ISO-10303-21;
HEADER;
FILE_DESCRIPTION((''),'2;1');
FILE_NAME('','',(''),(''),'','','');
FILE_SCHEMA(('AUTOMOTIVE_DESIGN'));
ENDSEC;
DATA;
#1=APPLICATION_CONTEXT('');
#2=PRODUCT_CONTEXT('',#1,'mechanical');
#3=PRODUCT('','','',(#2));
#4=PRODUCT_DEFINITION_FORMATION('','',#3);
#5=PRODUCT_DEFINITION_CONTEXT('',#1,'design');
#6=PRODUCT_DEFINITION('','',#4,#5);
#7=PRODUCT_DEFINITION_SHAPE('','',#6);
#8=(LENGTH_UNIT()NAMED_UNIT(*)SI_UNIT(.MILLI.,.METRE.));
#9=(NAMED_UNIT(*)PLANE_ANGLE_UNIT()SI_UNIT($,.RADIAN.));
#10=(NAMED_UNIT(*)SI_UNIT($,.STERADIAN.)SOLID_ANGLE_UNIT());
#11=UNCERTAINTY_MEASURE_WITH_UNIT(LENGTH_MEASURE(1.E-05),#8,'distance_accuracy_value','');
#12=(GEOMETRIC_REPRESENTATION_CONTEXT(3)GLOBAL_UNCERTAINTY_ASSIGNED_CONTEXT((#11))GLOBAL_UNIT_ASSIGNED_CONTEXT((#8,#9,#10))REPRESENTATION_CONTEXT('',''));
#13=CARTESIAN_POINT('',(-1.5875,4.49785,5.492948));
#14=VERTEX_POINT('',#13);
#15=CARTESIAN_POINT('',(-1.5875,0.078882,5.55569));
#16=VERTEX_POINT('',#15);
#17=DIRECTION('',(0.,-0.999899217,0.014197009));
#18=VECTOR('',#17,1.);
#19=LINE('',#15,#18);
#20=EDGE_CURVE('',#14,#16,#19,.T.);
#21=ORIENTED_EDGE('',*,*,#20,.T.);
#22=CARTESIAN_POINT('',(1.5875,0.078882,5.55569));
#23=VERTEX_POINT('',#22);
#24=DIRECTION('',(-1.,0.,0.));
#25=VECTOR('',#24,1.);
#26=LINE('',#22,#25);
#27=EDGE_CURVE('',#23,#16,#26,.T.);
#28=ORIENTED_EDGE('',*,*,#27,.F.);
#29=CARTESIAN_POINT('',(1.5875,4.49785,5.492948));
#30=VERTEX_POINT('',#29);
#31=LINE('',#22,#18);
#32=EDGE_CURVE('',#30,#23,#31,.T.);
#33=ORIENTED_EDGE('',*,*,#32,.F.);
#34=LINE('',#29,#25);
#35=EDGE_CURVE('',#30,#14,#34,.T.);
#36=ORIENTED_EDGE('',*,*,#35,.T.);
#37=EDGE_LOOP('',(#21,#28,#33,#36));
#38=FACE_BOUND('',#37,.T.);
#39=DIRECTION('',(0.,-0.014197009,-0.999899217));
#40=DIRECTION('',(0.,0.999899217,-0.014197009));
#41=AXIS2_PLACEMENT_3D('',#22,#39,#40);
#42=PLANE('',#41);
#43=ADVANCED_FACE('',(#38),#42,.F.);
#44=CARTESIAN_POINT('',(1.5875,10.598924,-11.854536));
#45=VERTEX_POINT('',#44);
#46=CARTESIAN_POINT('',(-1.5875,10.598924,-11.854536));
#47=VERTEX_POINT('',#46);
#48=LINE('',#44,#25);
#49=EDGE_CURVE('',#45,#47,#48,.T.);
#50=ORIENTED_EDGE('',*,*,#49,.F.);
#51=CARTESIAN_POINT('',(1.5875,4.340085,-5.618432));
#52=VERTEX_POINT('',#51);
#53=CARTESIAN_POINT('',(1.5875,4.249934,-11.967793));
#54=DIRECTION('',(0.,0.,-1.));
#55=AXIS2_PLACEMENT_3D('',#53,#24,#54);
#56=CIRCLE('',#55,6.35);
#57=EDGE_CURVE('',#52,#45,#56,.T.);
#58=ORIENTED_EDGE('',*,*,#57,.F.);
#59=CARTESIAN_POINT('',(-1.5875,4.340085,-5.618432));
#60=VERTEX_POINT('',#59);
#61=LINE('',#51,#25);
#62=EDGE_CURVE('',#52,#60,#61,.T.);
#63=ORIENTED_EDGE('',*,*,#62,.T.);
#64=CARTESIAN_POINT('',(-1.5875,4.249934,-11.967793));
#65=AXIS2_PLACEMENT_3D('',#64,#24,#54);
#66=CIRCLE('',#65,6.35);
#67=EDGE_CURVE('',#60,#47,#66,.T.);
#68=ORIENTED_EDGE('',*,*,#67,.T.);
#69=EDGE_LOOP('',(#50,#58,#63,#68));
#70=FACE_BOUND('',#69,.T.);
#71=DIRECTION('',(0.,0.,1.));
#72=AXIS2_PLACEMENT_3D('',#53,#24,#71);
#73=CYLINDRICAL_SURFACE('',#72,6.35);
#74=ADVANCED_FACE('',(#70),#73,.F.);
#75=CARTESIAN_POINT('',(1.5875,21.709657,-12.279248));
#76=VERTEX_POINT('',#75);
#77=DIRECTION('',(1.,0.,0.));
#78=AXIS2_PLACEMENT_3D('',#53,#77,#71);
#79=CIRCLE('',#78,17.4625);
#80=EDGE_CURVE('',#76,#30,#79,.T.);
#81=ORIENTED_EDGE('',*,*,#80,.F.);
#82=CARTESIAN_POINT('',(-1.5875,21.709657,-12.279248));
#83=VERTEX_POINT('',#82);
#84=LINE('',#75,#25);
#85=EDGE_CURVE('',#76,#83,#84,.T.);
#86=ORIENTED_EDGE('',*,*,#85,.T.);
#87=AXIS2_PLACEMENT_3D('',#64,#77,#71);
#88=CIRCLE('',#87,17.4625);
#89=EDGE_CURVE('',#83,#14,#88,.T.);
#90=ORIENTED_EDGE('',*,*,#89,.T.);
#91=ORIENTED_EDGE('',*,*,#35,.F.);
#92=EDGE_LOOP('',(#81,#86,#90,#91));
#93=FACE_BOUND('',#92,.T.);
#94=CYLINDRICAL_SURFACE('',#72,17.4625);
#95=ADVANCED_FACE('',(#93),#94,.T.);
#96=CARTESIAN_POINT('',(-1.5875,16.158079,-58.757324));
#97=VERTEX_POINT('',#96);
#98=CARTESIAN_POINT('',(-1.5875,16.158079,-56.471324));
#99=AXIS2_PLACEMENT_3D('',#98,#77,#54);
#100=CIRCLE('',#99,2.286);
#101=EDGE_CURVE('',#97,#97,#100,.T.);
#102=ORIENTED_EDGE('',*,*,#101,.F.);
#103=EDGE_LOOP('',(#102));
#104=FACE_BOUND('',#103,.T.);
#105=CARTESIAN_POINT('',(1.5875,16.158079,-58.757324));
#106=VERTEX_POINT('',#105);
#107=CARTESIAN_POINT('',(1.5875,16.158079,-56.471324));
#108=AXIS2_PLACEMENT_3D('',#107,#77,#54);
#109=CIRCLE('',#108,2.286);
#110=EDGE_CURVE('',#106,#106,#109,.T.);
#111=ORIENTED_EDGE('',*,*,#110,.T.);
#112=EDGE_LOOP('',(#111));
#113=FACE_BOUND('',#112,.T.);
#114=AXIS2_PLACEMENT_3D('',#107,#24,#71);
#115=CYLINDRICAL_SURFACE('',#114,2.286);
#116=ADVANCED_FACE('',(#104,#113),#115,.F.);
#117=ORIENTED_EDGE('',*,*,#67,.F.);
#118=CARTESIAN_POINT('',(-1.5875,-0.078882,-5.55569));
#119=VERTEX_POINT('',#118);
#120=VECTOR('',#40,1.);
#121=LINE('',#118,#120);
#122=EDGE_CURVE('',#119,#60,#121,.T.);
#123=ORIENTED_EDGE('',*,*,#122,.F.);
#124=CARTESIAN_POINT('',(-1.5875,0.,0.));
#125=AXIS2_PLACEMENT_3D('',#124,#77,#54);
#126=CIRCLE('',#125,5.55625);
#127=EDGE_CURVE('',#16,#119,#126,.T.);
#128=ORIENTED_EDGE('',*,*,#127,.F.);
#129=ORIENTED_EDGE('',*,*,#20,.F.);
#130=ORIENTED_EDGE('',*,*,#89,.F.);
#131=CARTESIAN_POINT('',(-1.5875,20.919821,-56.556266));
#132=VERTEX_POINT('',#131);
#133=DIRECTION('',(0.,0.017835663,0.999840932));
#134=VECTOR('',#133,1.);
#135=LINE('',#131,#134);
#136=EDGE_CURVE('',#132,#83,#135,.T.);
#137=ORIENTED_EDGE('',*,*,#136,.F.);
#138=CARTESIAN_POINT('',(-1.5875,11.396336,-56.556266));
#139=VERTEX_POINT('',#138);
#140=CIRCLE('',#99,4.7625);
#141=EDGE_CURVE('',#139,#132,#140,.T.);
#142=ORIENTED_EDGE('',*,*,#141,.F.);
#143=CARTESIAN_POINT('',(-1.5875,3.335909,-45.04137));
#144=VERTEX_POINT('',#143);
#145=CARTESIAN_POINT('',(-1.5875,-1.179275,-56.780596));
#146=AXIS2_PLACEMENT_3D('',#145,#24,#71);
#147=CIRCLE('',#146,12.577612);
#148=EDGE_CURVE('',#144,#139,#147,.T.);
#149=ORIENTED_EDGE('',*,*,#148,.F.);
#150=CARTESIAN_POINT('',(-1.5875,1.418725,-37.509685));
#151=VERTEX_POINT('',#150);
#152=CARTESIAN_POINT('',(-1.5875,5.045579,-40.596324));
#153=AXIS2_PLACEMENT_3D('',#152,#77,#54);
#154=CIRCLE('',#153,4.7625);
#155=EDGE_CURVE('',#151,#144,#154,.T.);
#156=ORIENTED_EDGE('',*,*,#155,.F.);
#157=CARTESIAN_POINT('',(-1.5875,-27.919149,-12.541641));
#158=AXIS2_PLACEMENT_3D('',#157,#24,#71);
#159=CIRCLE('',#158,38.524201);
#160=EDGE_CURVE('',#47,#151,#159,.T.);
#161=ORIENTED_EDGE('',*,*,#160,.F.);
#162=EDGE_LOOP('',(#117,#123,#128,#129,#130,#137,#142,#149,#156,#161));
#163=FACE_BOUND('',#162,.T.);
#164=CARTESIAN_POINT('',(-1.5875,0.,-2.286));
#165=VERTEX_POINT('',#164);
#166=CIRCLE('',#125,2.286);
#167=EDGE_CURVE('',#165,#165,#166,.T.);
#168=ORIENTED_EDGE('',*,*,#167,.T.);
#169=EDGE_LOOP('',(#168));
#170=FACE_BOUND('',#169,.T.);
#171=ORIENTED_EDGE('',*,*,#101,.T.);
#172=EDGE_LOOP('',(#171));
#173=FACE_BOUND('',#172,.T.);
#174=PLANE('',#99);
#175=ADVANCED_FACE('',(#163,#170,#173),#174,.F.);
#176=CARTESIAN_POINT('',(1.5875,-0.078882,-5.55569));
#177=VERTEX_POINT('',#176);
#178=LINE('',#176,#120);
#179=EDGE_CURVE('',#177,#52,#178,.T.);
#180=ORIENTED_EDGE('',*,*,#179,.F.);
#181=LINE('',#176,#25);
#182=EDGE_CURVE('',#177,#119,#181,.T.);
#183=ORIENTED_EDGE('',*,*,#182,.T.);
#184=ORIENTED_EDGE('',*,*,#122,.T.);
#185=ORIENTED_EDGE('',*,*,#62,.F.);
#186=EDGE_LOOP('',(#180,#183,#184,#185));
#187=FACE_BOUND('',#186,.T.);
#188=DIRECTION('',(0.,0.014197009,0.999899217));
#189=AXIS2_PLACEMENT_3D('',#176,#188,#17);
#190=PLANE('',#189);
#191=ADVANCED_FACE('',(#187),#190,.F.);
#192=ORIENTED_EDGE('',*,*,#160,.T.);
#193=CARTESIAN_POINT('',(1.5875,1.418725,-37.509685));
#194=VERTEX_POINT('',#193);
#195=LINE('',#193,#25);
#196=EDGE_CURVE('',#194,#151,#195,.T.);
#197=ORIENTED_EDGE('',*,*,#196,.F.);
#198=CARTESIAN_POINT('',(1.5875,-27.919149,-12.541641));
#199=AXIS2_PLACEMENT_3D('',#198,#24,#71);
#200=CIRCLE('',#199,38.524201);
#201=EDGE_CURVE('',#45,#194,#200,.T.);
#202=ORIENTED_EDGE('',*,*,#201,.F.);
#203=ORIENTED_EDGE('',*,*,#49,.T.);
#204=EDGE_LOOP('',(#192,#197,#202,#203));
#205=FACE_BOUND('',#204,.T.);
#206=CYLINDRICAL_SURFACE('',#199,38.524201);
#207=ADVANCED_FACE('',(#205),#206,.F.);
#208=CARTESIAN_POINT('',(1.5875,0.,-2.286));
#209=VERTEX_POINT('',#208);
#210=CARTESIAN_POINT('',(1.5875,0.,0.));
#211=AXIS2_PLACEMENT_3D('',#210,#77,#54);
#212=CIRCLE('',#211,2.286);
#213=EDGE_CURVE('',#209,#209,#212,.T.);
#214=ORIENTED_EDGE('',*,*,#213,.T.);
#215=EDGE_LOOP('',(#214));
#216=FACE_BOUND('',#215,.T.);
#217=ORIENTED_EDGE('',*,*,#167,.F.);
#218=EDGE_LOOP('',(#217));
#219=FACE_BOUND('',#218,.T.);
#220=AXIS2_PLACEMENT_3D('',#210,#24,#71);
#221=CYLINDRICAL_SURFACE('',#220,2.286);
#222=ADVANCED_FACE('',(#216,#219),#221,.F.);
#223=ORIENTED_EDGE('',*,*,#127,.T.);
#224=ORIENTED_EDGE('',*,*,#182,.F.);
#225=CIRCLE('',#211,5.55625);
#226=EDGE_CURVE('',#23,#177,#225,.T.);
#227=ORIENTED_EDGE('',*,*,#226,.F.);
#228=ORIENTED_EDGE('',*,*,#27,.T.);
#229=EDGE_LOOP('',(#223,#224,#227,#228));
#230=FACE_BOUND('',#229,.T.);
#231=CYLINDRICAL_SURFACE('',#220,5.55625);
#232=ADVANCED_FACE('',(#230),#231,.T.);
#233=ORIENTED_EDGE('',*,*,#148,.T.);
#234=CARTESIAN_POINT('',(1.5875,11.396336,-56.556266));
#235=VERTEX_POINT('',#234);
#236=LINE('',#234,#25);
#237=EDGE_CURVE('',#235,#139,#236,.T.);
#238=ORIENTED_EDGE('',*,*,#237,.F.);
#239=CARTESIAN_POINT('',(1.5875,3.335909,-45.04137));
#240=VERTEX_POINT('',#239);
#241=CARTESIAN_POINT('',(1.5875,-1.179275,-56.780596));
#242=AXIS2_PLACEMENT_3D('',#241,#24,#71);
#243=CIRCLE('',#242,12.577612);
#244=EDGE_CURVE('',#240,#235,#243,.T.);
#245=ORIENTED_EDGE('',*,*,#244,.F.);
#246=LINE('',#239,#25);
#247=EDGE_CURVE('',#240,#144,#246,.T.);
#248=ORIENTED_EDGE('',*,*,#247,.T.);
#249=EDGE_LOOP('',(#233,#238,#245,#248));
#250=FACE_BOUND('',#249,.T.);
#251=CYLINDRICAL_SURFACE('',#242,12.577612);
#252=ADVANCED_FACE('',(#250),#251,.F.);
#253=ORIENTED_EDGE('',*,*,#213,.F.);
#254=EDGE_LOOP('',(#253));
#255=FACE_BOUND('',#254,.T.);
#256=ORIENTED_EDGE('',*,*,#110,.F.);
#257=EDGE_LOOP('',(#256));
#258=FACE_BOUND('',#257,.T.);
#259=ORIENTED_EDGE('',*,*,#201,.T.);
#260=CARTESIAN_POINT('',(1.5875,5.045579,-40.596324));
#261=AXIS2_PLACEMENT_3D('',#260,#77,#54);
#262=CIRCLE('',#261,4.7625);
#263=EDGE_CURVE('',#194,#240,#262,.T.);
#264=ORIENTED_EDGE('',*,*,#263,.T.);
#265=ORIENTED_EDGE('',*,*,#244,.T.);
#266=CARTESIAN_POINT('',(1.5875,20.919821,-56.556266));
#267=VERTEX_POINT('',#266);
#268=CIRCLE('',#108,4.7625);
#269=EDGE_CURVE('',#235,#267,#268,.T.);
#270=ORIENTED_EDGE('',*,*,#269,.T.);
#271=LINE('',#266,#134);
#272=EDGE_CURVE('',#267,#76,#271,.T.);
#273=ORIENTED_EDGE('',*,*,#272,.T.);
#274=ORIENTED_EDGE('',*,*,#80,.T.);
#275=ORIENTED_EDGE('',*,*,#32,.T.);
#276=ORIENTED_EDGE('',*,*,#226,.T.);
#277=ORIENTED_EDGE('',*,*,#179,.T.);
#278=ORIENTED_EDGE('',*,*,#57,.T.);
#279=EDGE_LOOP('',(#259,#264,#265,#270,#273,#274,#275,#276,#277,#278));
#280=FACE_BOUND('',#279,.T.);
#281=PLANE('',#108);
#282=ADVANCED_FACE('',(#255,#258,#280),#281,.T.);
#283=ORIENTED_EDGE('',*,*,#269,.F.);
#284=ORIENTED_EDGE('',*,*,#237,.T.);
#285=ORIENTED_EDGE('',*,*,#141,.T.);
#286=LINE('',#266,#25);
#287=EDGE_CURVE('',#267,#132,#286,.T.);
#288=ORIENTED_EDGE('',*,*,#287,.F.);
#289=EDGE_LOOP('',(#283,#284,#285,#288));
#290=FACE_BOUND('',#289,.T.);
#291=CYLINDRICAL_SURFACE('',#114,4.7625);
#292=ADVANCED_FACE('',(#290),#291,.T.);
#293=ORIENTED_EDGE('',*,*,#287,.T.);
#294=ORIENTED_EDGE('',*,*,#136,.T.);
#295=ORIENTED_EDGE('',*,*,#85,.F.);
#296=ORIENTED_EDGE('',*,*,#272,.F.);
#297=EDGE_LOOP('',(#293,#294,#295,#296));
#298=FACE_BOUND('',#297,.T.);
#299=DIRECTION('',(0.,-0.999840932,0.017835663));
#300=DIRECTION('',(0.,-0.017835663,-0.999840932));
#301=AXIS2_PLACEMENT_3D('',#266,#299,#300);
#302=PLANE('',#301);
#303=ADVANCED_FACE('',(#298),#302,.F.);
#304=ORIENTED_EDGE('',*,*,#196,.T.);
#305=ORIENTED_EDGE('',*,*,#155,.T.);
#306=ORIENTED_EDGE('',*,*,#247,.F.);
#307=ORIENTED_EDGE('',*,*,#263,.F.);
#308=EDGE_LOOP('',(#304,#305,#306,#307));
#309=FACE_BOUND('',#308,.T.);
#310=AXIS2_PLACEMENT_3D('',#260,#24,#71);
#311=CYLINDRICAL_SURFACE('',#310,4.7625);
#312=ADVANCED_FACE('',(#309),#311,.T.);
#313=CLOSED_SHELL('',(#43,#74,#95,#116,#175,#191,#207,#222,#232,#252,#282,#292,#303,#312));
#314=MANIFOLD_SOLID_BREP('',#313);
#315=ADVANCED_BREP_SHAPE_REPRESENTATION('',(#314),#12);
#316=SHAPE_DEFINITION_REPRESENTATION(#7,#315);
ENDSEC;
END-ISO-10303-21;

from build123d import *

# Parameters (mm, degrees)
SKETCH1_R           = 2.286
BOSS_EXTRUDE1_DEPTH = 1.5875


with BuildPart() as part:
    # Sketch1 → Boss-Extrude1 (new, symmetric)
    with BuildSketch(Plane(origin=(0, 0, 0), x_dir=(0, 0, -1), z_dir=(1, 0, 0))):
        with BuildLine():
            Line((-5.555690027, 0.078882129), (-5.492947583, 4.497849692))
            ThreePointArc((-5.492947583, 4.497849692), (-0.180708129, 16.793970412), (12.279247772, 21.709656704))
            Line((12.279247772, 21.709656704), (56.556266052, 20.919821075))
            ThreePointArc((56.556266052, 20.919821075), (61.233823705, 16.158078636), (56.556266052, 11.396336198))
            ThreePointArc((56.556266052, 11.396336198), (49.56780942, 9.124706187), (45.041369891, 3.335908885))
            ThreePointArc((45.041369891, 3.335908885), (41.771149469, 0.430257339), (37.509684519, 1.418725347))
            ThreePointArc((37.509684519, 1.418725347), (25.520855431, 8.352797068), (11.854536038, 10.598924348))
            ThreePointArc((11.854536038, 10.598924348), (7.469501812, 8.731884997), (5.61843247, 4.340085435))
            Line((5.61843247, 4.340085435), (5.555690027, -0.078882129))
            ThreePointArc((5.555690027, -0.078882129), (-0.078882129, -5.555690027), (-5.555690027, 0.078882129))
        make_face()
        Circle(SKETCH1_R, mode=Mode.SUBTRACT)
        with Locations((56.471323705, 16.158078636)):
            Circle(SKETCH1_R, mode=Mode.SUBTRACT)
    extrude(amount=BOSS_EXTRUDE1_DEPTH, both=True)


solid = part.part
